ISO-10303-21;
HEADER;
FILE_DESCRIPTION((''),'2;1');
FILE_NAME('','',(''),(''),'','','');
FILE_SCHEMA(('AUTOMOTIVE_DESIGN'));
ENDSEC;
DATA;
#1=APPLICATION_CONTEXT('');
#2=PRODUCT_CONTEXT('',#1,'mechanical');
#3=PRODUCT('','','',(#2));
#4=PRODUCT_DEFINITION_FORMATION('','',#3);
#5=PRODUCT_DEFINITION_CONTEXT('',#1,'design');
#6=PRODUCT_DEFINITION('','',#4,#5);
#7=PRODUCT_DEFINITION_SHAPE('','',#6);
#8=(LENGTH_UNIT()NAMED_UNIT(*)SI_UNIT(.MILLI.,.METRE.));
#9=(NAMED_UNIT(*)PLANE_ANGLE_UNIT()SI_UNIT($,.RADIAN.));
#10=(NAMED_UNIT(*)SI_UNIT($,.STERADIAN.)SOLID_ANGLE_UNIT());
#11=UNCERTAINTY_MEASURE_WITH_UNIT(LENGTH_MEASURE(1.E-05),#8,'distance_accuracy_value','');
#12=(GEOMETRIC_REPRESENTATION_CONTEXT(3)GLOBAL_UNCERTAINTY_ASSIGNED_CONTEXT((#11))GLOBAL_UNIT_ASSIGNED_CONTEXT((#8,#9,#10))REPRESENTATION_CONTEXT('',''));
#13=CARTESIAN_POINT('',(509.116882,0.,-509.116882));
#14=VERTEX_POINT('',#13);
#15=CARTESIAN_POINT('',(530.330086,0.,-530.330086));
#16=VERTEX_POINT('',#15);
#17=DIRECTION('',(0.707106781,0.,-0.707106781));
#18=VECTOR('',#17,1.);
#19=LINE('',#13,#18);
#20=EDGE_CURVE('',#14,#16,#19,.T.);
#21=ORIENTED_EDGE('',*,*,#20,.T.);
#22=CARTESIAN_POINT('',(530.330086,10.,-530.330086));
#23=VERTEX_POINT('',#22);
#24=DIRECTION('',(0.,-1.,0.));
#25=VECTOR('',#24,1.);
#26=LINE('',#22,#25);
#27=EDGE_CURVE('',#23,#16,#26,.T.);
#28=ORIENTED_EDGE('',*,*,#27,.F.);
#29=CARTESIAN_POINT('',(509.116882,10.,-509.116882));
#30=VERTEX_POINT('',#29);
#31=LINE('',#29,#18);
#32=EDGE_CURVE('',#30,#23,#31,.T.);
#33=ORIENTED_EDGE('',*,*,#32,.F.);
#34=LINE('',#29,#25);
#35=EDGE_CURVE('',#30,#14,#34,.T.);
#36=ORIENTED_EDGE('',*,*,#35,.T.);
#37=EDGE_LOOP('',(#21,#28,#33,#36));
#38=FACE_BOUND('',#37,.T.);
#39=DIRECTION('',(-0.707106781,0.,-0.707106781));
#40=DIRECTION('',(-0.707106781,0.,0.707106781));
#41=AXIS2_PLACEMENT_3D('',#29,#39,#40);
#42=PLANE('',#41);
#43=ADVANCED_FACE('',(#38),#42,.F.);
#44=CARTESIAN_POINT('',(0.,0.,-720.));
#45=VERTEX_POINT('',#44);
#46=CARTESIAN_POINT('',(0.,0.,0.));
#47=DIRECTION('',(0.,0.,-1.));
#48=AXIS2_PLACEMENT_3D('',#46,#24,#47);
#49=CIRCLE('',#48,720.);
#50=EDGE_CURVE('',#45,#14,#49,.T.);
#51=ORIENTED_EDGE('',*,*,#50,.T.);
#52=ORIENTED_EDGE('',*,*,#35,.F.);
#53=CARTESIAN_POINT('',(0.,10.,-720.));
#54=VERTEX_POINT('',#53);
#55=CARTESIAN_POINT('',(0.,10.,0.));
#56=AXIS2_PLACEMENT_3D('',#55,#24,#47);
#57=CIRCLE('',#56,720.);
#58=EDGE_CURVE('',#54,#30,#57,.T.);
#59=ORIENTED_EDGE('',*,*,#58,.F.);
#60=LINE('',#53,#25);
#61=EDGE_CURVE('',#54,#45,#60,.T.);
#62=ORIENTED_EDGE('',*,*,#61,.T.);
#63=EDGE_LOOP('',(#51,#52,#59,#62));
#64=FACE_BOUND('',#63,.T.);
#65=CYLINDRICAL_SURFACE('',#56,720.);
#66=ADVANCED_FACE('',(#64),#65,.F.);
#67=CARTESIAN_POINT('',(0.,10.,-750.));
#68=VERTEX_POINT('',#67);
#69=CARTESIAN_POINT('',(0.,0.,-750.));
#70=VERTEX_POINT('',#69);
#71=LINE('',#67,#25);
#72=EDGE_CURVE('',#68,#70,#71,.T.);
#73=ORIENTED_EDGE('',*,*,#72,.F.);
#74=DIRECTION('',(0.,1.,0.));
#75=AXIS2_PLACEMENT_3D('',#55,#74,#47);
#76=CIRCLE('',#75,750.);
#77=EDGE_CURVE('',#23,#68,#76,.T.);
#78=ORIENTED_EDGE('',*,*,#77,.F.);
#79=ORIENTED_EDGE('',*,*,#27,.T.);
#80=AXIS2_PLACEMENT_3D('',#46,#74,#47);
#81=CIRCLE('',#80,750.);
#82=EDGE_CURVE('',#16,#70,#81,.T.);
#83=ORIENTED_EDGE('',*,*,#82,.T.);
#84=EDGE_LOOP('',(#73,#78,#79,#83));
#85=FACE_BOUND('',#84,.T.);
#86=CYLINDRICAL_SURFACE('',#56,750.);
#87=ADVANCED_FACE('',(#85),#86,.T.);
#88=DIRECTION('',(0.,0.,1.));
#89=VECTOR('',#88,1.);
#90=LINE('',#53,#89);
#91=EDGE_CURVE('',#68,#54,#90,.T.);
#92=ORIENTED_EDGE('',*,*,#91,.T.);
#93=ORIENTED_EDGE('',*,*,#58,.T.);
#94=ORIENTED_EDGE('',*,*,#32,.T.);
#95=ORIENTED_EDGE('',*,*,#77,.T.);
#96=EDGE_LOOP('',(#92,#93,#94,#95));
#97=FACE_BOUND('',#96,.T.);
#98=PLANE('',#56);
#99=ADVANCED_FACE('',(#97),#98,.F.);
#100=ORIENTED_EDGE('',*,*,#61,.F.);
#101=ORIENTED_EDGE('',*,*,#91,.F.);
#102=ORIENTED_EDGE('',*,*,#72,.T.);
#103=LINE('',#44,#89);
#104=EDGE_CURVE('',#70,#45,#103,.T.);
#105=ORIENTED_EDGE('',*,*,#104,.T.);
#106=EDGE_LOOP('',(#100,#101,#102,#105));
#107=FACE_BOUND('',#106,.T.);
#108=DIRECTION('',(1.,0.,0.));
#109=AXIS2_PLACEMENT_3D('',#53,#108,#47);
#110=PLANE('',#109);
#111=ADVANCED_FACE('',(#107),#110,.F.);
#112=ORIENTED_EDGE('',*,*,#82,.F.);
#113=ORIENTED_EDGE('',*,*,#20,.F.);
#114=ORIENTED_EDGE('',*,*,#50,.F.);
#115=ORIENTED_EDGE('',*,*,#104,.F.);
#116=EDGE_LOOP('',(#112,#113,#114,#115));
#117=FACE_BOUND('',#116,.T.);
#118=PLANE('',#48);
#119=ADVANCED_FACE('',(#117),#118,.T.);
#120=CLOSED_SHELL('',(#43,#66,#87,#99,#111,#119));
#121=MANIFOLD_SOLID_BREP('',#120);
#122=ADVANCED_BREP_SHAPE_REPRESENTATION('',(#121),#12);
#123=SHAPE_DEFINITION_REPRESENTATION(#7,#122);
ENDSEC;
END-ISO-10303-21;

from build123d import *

# Parameters (mm, degrees)
BOSS_EXTRUDE1_DEPTH = 10


with BuildPart() as part:
    # Sketch1 → Boss-Extrude1 (new body)
    with BuildSketch(Plane(origin=(0, 0, 0), x_dir=(1, 0, 0), z_dir=(0, 1, 0))):
        with BuildLine():
            Line((0, 720), (0, 750))
            ThreePointArc((0, 750), (287.012574274, 692.909649383), (530.33008589, 530.33008589))
            Line((530.33008589, 530.33008589), (509.116882454, 509.116882454))
            ThreePointArc((509.116882454, 509.116882454), (275.532071303, 665.193263408), (0, 720))
        make_face()
    extrude(amount=BOSS_EXTRUDE1_DEPTH)


solid = part.part
